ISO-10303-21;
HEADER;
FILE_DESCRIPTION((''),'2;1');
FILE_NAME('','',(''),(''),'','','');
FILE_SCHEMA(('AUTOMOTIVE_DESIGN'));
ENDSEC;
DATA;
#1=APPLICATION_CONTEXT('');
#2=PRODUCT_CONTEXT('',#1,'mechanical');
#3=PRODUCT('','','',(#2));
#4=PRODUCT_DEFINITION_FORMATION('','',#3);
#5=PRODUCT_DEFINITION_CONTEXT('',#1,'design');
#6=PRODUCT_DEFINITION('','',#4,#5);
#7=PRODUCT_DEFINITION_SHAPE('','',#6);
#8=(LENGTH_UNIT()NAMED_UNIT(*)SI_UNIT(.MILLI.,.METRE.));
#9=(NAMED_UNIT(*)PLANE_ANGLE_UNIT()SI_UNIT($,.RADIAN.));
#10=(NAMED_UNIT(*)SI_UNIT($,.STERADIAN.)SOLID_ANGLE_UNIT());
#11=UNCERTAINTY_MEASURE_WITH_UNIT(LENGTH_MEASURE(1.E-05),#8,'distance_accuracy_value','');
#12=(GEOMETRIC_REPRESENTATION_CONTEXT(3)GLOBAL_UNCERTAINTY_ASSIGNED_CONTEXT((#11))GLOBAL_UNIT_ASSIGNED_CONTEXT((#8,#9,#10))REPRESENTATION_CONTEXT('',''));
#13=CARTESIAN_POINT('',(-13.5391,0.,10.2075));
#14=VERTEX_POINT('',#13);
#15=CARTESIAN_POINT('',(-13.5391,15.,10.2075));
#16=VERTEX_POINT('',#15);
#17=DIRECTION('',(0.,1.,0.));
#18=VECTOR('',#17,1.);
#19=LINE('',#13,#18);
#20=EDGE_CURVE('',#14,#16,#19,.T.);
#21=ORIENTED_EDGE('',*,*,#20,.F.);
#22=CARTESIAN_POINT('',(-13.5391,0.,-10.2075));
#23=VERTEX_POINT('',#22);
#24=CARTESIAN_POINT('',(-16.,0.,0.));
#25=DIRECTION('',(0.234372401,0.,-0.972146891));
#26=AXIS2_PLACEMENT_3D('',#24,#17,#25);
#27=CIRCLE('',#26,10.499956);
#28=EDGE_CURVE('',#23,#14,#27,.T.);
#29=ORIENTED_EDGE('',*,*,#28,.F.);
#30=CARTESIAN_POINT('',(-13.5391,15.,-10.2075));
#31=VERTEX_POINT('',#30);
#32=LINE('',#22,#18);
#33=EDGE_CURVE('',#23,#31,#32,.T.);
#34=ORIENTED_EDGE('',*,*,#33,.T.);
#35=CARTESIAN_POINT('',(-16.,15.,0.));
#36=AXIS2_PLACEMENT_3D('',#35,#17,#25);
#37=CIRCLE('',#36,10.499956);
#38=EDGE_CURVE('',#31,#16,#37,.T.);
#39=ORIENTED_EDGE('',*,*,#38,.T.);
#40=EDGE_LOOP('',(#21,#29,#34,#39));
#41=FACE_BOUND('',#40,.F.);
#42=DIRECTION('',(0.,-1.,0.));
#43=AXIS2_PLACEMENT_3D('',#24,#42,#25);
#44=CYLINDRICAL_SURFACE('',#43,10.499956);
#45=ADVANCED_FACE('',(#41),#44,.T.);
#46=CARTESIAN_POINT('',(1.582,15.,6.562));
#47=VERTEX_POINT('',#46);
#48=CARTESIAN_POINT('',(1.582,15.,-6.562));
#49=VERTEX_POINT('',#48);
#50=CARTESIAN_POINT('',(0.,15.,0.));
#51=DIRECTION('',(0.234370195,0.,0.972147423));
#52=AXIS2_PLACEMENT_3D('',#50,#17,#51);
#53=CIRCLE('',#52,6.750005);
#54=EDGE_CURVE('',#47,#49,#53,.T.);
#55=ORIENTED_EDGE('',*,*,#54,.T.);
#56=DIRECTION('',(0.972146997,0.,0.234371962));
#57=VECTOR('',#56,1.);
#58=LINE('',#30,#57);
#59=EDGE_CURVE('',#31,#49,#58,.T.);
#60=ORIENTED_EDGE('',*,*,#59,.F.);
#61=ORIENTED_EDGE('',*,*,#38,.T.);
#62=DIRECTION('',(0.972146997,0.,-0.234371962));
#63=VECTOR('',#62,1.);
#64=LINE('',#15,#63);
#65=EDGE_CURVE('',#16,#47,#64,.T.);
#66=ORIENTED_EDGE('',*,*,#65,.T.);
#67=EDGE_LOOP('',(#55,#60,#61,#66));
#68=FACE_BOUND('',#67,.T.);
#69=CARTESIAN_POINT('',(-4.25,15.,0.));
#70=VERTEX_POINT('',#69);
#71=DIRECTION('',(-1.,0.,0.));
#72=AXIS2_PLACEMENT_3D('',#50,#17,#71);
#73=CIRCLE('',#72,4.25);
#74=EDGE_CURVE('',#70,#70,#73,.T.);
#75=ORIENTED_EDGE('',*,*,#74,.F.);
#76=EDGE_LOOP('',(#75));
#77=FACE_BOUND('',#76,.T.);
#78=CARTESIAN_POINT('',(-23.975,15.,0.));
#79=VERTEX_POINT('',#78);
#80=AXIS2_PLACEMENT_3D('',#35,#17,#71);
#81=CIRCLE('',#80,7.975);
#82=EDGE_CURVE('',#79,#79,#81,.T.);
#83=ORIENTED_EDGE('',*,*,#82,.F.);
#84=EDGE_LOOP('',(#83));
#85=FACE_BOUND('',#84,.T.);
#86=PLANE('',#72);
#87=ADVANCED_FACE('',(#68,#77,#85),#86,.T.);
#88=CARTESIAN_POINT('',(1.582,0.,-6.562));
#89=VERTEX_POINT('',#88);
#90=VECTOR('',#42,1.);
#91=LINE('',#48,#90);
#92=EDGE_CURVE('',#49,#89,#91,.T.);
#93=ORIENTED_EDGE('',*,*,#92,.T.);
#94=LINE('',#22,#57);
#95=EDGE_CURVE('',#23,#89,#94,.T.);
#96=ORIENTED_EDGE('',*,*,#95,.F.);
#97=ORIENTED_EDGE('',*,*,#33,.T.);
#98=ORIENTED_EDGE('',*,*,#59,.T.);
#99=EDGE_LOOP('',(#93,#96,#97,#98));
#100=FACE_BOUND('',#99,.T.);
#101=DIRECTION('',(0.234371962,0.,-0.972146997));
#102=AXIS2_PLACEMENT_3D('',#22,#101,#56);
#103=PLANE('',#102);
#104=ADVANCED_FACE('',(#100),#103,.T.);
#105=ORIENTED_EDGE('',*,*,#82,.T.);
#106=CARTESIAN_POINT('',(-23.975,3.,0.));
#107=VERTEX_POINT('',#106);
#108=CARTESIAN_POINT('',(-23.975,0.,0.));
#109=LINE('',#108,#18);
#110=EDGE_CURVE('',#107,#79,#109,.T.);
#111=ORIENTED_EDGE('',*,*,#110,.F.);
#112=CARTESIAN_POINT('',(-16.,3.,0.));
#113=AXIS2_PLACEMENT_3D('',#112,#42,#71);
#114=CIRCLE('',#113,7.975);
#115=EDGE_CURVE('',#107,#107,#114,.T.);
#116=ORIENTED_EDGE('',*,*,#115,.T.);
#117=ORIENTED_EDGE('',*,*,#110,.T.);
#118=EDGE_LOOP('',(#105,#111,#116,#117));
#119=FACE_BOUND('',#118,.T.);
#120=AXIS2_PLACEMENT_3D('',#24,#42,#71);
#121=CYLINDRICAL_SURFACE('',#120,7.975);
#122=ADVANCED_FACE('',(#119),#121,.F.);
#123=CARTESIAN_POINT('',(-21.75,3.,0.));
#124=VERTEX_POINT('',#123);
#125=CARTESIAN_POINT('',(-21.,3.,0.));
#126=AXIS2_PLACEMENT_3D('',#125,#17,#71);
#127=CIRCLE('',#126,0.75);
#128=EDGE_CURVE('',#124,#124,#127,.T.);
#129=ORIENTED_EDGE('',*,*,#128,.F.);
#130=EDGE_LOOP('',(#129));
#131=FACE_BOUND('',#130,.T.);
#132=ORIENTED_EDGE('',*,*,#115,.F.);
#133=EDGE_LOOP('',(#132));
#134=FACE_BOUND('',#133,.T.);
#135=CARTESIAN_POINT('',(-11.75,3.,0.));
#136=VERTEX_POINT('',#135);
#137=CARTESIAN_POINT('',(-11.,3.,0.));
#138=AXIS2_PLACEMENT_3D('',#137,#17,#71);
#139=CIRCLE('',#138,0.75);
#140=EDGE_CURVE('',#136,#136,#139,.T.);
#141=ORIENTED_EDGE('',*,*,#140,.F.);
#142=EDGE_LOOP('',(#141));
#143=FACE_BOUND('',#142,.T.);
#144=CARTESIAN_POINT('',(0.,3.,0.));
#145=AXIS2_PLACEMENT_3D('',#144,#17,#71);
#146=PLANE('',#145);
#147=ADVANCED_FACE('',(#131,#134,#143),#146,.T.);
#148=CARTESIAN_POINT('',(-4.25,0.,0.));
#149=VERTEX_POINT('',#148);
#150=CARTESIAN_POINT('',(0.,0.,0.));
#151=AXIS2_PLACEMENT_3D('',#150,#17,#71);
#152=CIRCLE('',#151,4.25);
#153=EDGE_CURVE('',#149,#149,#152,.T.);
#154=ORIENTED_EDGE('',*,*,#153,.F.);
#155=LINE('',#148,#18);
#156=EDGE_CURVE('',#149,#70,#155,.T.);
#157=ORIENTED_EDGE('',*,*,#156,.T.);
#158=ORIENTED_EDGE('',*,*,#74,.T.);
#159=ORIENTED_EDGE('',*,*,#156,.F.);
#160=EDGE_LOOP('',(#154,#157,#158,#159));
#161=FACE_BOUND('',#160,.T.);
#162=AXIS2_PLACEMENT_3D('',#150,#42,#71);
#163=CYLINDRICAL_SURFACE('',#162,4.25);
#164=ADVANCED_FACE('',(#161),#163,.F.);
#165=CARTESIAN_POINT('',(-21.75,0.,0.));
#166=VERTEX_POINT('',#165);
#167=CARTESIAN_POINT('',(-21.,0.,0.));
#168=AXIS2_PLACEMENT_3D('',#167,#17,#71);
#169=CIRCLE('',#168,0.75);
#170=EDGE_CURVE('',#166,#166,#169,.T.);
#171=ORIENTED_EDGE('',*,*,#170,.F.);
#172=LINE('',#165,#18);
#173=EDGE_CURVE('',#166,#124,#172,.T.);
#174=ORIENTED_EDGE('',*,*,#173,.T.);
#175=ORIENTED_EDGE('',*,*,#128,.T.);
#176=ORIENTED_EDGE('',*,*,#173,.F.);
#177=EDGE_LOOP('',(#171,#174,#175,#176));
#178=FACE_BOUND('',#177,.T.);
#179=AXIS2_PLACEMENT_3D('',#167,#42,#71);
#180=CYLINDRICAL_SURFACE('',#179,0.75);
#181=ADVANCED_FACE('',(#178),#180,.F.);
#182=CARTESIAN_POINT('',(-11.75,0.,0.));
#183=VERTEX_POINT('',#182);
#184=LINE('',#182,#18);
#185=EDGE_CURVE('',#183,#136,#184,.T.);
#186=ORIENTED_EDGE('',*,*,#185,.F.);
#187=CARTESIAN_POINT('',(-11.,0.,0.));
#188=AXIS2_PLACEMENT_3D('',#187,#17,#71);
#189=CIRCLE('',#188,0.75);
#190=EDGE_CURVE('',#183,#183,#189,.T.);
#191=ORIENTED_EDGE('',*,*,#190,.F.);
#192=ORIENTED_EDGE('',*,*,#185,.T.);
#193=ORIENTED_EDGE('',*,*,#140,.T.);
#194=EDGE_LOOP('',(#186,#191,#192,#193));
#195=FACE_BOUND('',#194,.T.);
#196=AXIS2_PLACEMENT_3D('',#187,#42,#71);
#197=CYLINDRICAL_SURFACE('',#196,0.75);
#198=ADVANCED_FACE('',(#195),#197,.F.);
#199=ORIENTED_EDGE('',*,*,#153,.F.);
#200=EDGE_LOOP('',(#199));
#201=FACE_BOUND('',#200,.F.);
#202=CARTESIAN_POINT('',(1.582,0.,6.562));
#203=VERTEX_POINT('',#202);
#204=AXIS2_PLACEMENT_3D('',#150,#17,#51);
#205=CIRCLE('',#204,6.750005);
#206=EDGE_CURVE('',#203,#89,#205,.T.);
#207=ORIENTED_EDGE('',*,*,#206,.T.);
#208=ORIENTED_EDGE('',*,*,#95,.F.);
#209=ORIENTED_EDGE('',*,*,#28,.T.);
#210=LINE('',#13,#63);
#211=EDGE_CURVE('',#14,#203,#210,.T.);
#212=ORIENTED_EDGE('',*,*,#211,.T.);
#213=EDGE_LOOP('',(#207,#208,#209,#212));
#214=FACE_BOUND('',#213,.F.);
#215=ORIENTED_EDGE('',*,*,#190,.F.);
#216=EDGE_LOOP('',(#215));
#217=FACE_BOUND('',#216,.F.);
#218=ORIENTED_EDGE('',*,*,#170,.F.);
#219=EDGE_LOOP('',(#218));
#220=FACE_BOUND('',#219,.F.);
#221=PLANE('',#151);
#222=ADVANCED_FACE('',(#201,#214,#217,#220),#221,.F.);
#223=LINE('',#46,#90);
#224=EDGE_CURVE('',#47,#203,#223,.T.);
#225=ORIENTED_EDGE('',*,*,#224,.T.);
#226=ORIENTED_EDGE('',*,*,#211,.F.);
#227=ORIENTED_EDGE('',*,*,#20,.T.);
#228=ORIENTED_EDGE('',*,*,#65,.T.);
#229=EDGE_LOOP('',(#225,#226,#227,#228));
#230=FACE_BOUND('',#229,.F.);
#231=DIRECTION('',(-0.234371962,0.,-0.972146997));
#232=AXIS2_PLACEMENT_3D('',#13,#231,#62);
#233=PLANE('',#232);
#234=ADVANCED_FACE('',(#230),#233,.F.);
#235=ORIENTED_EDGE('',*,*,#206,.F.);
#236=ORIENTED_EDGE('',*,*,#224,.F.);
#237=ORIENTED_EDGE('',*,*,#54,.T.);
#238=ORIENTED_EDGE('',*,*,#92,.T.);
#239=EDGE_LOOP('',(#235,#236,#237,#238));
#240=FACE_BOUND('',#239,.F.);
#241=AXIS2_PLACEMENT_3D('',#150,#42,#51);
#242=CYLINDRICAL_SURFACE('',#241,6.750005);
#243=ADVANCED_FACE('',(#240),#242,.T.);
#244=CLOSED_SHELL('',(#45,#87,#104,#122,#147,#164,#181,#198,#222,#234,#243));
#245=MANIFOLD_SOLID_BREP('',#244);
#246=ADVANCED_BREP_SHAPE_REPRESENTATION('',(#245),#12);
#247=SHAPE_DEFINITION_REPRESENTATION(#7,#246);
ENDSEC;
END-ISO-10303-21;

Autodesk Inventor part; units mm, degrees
ref_plane "YZ Plane" through (0, 0, 0) normal (1, 0, 0) x (0, 1, 0)
ref_plane "XZ Plane" through (0, 0, 0) normal (0, 1, 0) x (-1, 0, 0)
ref_plane "XY Plane" through (0, 0, 0) normal (0, 0, 1) x (1, 0, 0)
sketch "Sketch1" plane through (0, 0, 0) normal (0, 1, 0) x (-1, 0, 0)
  line L0 (0, -14.7) -> (0, 14.7) construction
  line L1 (-13.4, 0) -> (33.15, 0) construction
  circle A0 centre (0, 0) radius 4.25
  circle A1 centre (16, 0) radius 7.975
  arc A2 (13.5391, -10.2075) -> (13.5391, 10.2075) centre (16, 0) ccw
  arc A3 (-1.582, 6.562) -> (-1.582, -6.562) centre (0, 0) ccw
  line L2 (13.5391, 10.2075) -> (-1.582, 6.562)
  line L3 (13.5391, -10.2075) -> (-1.582, -6.562)
  circle A4 centre (21, 0) radius 0.75
  circle A5 centre (11, 0) radius 0.75
  line L4 (16, 7.975) -> (16, -7.975) construction
  dimension "d0" = 8.5
  dimension "d1" = 15.95
  dimension "d2" = 16
  dimension "d3" = 21
  dimension "d4" = 13.5
  dimension "d5" = 1.5
  dimension "d6" = 1.5
  dimension "d7" = 10
extrude "Base" add sketch "Sketch1" along normal blind 3 contours A1 | L3 A3 L2 A2
extrude "Walls" add sketch "Sketch1" along normal blind 15 contours L3 A3 L2 A2
equation "\"d6\" = d5"
properties part number "transducer_holder" material "PC/ABS Plastic"
